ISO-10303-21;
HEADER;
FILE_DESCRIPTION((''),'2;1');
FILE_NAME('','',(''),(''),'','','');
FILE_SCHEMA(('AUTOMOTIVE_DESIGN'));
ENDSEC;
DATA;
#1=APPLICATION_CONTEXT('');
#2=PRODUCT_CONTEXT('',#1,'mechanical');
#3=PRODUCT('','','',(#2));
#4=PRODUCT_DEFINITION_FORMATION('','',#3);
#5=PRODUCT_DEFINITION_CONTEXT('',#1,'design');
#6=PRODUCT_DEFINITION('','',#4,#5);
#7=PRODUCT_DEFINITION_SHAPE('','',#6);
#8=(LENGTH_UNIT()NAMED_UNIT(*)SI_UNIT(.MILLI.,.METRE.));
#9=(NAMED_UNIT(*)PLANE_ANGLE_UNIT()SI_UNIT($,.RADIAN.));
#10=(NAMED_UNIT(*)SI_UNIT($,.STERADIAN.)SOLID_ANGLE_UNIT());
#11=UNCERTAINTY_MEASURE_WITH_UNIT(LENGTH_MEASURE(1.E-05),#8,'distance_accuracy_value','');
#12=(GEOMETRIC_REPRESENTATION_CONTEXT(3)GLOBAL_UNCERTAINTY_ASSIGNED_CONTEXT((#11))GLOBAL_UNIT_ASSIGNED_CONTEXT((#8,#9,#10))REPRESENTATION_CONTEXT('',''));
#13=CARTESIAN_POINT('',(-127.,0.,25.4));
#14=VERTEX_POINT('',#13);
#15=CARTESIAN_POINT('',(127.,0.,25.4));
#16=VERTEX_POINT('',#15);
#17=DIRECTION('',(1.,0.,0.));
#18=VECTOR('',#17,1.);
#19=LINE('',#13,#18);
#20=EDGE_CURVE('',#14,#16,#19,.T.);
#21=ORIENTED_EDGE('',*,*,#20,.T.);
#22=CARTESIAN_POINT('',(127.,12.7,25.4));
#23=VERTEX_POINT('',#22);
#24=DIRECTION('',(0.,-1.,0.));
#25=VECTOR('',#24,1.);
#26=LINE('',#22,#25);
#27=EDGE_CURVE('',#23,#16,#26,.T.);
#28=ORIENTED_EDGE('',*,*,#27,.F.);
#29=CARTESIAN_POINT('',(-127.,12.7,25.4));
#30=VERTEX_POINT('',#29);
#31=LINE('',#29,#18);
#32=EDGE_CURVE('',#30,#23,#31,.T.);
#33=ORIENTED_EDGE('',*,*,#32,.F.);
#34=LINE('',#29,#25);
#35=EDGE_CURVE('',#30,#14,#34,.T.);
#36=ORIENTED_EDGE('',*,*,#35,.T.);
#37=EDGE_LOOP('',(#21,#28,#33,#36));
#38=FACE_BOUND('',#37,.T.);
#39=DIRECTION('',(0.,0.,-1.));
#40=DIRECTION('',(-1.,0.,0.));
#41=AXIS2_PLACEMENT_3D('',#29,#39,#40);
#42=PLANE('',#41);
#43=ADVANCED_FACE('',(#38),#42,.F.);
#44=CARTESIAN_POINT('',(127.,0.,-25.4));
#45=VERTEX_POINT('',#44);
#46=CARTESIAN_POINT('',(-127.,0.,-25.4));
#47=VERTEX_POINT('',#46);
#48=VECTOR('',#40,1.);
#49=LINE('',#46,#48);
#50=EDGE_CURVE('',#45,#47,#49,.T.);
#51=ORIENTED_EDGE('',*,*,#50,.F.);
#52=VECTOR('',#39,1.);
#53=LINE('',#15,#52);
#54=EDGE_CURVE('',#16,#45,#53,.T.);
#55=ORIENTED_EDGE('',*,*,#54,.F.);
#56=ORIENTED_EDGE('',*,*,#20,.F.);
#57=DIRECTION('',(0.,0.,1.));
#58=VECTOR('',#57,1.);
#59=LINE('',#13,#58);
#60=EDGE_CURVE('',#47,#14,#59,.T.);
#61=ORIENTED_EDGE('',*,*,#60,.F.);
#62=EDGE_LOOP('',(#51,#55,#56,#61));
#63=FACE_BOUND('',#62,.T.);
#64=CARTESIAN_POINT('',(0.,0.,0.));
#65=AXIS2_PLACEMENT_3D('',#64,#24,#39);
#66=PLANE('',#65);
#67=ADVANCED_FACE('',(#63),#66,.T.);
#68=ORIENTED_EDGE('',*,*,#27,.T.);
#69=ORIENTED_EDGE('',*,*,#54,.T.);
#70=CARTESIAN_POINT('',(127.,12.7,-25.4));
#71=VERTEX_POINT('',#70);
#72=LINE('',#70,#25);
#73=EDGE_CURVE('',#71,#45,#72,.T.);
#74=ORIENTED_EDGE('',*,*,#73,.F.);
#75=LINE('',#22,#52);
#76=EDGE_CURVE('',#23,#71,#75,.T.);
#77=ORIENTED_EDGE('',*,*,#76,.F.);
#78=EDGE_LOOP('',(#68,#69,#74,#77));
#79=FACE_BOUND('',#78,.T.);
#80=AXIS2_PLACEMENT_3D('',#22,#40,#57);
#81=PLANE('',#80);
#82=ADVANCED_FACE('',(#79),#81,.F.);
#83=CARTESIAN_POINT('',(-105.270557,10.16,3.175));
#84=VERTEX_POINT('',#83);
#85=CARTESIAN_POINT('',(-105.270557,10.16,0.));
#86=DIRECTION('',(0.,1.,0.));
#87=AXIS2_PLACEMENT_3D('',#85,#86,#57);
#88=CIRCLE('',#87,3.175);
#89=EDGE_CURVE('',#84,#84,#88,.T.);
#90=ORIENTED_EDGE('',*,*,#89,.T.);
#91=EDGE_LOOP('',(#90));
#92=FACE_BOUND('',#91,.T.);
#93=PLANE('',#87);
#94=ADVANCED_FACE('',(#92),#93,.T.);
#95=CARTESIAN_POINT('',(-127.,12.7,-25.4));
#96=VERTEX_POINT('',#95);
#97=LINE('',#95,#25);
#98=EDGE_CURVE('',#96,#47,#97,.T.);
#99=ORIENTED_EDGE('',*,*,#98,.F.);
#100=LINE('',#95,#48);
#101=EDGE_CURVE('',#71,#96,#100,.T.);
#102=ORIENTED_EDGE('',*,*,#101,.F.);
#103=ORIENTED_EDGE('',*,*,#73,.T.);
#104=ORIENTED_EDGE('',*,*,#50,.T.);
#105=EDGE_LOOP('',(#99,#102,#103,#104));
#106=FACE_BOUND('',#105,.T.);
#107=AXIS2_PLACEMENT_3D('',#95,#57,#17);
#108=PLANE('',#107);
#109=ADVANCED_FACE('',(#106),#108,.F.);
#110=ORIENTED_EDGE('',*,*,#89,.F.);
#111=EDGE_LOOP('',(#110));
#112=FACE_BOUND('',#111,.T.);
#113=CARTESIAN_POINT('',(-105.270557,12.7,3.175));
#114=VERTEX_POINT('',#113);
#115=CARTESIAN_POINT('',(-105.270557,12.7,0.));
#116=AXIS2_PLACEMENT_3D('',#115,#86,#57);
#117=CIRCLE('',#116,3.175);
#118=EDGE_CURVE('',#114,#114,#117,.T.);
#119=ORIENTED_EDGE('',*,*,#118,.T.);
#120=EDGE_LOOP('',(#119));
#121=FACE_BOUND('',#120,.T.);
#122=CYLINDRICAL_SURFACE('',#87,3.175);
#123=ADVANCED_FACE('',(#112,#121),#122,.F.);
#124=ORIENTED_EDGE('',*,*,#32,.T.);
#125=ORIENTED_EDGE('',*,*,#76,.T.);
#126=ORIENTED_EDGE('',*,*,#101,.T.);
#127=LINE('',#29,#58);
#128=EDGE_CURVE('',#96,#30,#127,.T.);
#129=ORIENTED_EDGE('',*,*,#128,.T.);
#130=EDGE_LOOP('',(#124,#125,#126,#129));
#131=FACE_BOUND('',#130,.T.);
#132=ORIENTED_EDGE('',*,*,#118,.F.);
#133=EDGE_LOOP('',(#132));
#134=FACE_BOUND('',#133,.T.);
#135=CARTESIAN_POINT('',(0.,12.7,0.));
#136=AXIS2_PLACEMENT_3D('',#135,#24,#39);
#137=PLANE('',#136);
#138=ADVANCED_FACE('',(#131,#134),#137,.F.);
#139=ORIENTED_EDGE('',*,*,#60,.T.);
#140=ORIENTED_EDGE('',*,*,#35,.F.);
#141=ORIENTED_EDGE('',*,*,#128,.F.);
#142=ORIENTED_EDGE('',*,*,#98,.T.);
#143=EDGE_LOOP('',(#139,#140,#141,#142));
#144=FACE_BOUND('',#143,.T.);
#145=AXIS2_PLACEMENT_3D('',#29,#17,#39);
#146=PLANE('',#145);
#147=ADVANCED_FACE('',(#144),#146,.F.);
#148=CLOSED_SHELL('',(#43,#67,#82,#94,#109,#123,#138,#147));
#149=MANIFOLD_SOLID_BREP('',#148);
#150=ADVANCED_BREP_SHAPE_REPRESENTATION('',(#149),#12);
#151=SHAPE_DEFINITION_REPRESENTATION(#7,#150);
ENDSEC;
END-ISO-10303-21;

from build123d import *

# Parameters (mm, degrees)
SKETCH1_W           = 254
SKETCH1_H           = 50.8
BOSS_EXTRUDE1_DEPTH = 12.7
SKETCH2_R           = 3.175
CUT_EXTRUDE1_DEPTH  = 2.54


with BuildPart() as part:
    # Sketch1 → Boss-Extrude1 (new body)
    with BuildSketch(Plane(origin=(0, 0, 0), x_dir=(1, 0, 0), z_dir=(0, 1, 0))):
        Rectangle(SKETCH1_W, SKETCH1_H)
    extrude(amount=BOSS_EXTRUDE1_DEPTH)

    # Sketch2 → Cut-Extrude1 (cut)
    with BuildSketch(Plane(origin=(0, 12.7, 0), x_dir=(1, 0, 0), z_dir=(0, 1, 0))):
        with Locations(Location((-105.270556828, 0, 0), (0, 0, 270))):
            Circle(SKETCH2_R)
    extrude(amount=-CUT_EXTRUDE1_DEPTH, mode=Mode.SUBTRACT)


solid = part.part
